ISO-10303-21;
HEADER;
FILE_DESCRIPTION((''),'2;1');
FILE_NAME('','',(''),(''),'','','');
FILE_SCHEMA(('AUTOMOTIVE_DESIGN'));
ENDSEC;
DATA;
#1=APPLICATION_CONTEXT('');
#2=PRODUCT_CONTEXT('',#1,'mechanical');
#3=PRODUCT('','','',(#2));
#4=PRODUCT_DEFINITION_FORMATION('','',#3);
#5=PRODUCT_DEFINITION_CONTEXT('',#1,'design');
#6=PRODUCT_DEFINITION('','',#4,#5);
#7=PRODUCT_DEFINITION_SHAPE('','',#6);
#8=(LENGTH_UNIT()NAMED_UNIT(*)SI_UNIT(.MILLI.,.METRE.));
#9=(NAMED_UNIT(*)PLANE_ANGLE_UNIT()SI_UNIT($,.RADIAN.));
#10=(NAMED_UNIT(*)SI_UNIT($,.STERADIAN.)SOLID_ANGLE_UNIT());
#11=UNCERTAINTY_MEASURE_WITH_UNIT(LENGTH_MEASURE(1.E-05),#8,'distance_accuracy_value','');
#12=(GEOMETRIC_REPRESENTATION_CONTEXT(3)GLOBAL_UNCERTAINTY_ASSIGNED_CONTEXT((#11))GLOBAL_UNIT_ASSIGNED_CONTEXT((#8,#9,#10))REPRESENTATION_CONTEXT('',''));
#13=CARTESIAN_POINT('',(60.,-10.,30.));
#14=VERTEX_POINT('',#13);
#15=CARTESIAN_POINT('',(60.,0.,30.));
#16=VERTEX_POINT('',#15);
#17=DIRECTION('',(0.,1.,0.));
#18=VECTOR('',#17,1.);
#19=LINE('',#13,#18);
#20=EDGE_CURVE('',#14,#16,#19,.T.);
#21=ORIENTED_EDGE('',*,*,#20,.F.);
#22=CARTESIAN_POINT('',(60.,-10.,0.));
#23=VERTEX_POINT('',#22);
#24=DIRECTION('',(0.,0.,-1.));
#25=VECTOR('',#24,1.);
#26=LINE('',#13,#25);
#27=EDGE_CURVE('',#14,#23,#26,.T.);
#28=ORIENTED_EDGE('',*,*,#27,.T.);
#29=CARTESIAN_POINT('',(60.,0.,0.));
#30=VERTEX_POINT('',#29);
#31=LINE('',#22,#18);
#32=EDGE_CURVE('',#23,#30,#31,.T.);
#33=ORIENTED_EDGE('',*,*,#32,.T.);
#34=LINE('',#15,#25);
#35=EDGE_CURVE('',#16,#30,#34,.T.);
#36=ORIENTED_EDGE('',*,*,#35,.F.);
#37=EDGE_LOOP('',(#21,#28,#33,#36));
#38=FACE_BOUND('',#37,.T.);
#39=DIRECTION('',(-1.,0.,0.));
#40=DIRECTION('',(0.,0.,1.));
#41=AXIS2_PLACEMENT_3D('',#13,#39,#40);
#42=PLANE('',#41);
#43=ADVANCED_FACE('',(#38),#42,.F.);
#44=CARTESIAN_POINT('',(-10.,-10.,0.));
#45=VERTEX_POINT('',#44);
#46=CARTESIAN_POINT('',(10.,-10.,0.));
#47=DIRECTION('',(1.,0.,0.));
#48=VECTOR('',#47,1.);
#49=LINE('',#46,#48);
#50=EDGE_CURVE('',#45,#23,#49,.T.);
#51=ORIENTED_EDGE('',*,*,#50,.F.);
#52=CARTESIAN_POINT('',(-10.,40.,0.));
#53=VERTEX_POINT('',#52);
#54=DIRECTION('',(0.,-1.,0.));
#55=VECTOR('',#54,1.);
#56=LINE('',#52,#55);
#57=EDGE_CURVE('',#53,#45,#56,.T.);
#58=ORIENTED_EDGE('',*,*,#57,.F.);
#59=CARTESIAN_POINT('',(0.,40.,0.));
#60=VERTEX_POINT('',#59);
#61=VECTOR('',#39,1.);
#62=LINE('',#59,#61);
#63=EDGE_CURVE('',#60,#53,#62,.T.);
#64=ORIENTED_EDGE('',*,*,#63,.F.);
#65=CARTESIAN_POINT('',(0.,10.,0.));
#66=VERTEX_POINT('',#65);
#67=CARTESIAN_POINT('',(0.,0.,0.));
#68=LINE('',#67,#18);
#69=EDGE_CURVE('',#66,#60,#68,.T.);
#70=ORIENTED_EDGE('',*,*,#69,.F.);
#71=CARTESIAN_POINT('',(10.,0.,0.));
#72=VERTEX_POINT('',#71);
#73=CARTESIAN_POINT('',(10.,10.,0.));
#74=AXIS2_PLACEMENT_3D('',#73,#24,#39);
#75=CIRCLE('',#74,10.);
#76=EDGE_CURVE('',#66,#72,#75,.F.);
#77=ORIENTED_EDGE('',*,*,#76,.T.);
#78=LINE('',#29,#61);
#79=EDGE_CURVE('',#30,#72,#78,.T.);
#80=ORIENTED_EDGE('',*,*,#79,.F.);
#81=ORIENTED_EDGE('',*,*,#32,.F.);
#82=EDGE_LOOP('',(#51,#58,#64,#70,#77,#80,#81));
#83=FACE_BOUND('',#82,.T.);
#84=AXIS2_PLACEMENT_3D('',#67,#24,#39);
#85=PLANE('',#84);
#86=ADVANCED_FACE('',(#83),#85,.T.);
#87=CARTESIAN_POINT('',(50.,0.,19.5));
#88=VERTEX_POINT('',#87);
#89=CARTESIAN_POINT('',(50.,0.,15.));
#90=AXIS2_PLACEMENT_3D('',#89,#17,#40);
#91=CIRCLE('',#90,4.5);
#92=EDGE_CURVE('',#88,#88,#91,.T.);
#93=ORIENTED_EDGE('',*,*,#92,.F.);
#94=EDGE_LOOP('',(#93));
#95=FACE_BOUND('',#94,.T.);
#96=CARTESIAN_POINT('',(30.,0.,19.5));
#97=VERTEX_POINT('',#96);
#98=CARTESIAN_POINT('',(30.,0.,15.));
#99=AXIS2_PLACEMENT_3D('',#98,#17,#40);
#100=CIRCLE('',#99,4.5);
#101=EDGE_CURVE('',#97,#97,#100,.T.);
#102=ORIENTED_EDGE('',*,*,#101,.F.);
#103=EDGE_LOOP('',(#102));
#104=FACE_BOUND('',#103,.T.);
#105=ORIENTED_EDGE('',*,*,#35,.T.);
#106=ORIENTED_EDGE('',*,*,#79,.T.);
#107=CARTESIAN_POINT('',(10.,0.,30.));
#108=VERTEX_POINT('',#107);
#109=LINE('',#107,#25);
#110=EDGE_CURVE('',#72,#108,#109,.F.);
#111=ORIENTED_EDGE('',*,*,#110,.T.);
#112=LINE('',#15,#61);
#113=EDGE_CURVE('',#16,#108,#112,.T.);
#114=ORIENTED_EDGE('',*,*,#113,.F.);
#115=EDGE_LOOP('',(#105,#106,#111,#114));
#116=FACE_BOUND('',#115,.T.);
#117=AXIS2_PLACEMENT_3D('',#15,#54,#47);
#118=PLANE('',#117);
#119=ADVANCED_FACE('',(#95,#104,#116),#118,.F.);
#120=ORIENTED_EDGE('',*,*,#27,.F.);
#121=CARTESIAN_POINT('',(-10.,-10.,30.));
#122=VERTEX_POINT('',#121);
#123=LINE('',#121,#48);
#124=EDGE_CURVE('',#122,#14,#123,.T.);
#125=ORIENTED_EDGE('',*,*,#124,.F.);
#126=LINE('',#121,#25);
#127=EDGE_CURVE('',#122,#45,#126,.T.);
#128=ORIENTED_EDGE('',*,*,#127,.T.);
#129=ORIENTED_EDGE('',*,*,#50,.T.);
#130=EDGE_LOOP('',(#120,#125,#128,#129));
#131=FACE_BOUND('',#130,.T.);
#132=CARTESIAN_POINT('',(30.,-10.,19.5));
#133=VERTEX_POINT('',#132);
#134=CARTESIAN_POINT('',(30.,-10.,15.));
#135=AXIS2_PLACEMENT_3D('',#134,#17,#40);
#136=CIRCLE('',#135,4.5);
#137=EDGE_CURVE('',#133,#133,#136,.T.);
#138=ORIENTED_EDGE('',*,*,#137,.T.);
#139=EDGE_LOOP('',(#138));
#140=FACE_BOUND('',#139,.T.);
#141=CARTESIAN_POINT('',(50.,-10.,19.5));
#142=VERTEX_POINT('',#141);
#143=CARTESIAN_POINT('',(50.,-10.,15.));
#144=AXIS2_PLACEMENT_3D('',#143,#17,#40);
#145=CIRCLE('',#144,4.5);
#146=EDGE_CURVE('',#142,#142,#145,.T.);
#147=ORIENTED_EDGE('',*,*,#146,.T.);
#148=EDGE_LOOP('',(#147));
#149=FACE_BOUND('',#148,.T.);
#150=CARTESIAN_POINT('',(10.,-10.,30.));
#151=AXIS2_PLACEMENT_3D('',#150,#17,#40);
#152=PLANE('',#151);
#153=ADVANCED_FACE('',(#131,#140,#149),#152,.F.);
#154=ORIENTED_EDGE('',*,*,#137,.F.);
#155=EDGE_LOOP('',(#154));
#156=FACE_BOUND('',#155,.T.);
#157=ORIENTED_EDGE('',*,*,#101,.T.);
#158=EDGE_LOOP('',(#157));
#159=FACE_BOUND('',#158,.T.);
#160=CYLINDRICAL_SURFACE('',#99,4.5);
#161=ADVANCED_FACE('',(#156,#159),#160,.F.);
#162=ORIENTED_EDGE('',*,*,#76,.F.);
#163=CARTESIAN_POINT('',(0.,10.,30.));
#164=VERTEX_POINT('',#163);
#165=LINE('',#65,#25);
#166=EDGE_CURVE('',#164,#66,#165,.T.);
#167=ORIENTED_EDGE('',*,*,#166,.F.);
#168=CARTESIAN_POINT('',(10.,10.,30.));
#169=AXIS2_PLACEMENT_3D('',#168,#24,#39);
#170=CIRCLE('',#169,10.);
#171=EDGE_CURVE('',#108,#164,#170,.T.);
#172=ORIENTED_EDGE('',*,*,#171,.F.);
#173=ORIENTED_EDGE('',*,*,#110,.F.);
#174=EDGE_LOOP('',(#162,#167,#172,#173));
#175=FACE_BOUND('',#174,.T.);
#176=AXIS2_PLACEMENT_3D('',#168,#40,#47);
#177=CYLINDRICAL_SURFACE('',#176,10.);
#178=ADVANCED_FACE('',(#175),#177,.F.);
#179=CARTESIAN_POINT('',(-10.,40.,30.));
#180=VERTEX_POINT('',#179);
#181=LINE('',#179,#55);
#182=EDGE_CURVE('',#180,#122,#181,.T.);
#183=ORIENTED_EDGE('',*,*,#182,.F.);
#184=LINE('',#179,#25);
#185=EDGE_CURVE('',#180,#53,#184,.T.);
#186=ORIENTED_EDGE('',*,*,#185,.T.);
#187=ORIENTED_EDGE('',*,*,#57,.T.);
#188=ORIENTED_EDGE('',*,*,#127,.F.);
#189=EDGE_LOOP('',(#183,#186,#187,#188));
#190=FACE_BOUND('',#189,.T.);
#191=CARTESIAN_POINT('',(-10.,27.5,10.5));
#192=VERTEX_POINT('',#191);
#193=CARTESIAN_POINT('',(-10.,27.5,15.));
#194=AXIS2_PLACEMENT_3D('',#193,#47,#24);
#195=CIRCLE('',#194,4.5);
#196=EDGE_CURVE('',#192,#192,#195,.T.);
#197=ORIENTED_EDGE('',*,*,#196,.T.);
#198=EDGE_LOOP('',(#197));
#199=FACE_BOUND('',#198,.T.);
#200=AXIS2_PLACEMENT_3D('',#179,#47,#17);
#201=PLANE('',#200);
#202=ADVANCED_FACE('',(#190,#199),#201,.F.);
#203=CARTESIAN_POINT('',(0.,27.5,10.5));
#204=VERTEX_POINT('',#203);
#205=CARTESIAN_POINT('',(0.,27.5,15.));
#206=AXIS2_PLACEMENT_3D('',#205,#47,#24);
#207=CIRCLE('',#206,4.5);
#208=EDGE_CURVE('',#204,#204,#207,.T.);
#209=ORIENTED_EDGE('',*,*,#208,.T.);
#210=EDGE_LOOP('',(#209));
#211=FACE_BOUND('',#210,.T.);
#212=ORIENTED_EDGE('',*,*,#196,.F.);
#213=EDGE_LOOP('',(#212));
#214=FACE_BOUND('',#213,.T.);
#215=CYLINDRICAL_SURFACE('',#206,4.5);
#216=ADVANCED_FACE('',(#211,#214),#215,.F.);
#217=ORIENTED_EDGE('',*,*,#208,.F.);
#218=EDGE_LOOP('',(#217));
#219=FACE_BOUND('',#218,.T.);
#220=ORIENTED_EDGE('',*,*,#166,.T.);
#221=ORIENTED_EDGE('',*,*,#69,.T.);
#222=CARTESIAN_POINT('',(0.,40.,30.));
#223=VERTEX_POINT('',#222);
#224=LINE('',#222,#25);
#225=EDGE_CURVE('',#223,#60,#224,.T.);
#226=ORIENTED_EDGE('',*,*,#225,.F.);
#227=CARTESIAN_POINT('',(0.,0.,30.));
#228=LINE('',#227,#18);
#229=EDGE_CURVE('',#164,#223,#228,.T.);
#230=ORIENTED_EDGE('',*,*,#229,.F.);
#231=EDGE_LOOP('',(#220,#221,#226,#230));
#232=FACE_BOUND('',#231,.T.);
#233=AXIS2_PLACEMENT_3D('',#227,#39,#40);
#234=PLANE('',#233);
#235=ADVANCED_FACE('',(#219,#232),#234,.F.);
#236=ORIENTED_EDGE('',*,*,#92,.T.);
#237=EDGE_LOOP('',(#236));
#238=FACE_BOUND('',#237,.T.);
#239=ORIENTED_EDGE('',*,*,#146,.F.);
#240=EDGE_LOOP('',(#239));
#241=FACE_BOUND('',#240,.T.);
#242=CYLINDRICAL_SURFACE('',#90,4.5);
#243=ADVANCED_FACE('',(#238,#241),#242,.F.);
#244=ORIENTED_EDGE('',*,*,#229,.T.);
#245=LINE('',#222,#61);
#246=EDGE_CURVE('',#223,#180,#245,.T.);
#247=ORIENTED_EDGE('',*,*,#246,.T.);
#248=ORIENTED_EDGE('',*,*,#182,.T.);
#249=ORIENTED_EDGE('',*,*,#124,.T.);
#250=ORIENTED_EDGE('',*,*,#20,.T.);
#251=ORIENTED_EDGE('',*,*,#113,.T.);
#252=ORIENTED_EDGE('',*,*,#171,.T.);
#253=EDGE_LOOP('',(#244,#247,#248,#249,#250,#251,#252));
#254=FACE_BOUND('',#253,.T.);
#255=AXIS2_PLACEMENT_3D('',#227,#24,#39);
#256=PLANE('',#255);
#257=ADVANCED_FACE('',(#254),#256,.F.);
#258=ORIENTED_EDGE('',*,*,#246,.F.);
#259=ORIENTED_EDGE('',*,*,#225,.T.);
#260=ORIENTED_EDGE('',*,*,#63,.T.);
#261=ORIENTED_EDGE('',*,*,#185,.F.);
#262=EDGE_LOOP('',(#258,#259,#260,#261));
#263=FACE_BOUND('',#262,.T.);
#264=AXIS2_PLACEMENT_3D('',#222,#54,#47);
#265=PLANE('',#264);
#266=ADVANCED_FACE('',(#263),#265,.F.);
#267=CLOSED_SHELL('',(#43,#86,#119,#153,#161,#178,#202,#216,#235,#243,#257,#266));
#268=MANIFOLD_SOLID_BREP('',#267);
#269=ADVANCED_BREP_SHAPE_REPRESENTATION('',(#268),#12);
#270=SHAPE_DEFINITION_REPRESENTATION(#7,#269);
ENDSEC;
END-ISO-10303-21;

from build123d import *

# Parameters (mm, degrees)
BOSS_EXTRUDE1_DEPTH  = 30
M8_CLEARANCE_HOLE1_D = 9
M8_CLEARANCE_HOLE2_D = 9
FILLET1_R            = 10


with BuildPart() as part:
    # Sketch1 → Boss-Extrude1 (new body)
    with BuildSketch(Plane.XY):
        Polygon((0, 0), (0, 40), (-10, 40), (-10, -10), (10, -10), (60, -10), (60, 0), align=None)
    extrude(amount=BOSS_EXTRUDE1_DEPTH)

    # M8 Clearance Hole1 (through all)
    with Locations(Plane(origin=(0, 0, 0), x_dir=(0, 0, -1), z_dir=(1, 0, 0))):
        with Locations((-15, 27.5)):
            Hole(M8_CLEARANCE_HOLE1_D / 2)

    # M8 Clearance Hole2 (through all)
    with Locations(Plane(origin=(0, 0, 0), x_dir=(1, 0, 0), z_dir=(0, 1, 0))):
        with Locations((30, -15), (50, -15)):
            Hole(M8_CLEARANCE_HOLE2_D / 2)

    # Fillet1
    fillet1_edges = [part.edges().sort_by_distance(p)[0] for p in [
        (0, 0, 15),
    ]]
    fillet(fillet1_edges, radius=FILLET1_R)


solid = part.part
